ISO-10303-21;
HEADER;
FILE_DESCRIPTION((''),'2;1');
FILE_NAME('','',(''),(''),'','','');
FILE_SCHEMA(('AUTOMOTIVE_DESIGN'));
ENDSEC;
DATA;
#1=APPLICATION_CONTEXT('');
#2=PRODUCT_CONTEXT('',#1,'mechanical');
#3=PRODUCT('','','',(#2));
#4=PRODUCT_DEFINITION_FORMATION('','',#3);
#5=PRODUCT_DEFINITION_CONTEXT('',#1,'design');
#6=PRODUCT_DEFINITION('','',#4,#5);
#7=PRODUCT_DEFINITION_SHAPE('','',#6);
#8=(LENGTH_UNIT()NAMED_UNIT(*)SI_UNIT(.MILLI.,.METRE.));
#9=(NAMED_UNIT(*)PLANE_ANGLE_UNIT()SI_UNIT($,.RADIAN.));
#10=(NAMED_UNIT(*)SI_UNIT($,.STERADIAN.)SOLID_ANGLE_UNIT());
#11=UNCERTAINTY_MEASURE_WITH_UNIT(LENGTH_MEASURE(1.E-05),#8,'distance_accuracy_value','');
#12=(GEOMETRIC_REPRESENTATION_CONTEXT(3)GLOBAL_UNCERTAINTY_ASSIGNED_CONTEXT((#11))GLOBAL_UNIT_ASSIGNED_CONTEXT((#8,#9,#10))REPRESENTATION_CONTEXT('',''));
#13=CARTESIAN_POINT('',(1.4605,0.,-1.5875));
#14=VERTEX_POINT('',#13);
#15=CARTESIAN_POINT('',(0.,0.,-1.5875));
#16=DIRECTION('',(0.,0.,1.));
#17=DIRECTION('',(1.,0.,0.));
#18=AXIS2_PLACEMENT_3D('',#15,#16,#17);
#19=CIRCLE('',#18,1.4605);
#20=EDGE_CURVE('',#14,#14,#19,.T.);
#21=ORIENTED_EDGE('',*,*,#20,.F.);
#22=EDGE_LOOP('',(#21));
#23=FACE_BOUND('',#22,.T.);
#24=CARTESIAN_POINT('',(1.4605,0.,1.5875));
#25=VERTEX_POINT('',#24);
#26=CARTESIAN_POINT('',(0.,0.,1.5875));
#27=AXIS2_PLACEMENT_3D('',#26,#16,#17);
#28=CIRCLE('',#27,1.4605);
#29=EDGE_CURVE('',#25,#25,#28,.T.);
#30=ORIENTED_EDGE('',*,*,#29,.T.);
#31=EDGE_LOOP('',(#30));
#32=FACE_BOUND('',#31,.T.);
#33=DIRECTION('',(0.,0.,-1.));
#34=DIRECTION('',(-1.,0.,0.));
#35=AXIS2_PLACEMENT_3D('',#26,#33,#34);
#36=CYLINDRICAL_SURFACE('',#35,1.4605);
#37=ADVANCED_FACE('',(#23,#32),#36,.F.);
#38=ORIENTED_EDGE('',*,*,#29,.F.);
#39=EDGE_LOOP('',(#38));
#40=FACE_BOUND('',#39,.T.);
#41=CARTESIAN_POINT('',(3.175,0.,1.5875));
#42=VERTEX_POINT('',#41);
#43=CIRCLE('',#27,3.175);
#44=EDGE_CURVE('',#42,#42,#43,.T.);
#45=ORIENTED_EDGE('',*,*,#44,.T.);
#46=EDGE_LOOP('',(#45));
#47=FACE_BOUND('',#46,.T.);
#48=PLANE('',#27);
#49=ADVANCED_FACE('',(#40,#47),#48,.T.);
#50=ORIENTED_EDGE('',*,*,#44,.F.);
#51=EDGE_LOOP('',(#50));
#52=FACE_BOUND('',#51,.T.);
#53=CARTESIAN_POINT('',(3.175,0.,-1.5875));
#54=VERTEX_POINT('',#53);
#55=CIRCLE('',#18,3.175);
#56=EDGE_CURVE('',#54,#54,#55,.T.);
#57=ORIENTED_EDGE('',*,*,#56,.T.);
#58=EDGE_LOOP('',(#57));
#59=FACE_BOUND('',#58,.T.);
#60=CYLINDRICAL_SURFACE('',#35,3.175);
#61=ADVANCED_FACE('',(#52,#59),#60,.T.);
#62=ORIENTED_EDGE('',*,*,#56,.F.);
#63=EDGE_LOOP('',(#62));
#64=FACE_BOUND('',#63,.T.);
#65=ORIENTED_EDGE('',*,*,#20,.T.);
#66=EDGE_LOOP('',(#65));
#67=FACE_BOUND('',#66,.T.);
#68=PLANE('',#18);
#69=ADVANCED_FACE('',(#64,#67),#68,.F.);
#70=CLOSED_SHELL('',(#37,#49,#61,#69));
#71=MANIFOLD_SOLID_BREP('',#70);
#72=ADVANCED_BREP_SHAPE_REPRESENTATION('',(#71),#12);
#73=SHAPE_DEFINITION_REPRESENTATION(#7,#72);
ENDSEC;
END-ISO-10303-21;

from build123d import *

# Parameters (mm, degrees)
SKETCH1_R      = 3.175
SKETCH1_R_2    = 1.4605
EXTRUDE1_DEPTH = 1.5875


with BuildPart() as part:
    # Sketch1 → Extrude1 (new body, symmetric)
    with BuildSketch(Plane.XY):
        Circle(SKETCH1_R)
        Circle(SKETCH1_R_2, mode=Mode.SUBTRACT)
    extrude(amount=EXTRUDE1_DEPTH, both=True)


solid = part.part
